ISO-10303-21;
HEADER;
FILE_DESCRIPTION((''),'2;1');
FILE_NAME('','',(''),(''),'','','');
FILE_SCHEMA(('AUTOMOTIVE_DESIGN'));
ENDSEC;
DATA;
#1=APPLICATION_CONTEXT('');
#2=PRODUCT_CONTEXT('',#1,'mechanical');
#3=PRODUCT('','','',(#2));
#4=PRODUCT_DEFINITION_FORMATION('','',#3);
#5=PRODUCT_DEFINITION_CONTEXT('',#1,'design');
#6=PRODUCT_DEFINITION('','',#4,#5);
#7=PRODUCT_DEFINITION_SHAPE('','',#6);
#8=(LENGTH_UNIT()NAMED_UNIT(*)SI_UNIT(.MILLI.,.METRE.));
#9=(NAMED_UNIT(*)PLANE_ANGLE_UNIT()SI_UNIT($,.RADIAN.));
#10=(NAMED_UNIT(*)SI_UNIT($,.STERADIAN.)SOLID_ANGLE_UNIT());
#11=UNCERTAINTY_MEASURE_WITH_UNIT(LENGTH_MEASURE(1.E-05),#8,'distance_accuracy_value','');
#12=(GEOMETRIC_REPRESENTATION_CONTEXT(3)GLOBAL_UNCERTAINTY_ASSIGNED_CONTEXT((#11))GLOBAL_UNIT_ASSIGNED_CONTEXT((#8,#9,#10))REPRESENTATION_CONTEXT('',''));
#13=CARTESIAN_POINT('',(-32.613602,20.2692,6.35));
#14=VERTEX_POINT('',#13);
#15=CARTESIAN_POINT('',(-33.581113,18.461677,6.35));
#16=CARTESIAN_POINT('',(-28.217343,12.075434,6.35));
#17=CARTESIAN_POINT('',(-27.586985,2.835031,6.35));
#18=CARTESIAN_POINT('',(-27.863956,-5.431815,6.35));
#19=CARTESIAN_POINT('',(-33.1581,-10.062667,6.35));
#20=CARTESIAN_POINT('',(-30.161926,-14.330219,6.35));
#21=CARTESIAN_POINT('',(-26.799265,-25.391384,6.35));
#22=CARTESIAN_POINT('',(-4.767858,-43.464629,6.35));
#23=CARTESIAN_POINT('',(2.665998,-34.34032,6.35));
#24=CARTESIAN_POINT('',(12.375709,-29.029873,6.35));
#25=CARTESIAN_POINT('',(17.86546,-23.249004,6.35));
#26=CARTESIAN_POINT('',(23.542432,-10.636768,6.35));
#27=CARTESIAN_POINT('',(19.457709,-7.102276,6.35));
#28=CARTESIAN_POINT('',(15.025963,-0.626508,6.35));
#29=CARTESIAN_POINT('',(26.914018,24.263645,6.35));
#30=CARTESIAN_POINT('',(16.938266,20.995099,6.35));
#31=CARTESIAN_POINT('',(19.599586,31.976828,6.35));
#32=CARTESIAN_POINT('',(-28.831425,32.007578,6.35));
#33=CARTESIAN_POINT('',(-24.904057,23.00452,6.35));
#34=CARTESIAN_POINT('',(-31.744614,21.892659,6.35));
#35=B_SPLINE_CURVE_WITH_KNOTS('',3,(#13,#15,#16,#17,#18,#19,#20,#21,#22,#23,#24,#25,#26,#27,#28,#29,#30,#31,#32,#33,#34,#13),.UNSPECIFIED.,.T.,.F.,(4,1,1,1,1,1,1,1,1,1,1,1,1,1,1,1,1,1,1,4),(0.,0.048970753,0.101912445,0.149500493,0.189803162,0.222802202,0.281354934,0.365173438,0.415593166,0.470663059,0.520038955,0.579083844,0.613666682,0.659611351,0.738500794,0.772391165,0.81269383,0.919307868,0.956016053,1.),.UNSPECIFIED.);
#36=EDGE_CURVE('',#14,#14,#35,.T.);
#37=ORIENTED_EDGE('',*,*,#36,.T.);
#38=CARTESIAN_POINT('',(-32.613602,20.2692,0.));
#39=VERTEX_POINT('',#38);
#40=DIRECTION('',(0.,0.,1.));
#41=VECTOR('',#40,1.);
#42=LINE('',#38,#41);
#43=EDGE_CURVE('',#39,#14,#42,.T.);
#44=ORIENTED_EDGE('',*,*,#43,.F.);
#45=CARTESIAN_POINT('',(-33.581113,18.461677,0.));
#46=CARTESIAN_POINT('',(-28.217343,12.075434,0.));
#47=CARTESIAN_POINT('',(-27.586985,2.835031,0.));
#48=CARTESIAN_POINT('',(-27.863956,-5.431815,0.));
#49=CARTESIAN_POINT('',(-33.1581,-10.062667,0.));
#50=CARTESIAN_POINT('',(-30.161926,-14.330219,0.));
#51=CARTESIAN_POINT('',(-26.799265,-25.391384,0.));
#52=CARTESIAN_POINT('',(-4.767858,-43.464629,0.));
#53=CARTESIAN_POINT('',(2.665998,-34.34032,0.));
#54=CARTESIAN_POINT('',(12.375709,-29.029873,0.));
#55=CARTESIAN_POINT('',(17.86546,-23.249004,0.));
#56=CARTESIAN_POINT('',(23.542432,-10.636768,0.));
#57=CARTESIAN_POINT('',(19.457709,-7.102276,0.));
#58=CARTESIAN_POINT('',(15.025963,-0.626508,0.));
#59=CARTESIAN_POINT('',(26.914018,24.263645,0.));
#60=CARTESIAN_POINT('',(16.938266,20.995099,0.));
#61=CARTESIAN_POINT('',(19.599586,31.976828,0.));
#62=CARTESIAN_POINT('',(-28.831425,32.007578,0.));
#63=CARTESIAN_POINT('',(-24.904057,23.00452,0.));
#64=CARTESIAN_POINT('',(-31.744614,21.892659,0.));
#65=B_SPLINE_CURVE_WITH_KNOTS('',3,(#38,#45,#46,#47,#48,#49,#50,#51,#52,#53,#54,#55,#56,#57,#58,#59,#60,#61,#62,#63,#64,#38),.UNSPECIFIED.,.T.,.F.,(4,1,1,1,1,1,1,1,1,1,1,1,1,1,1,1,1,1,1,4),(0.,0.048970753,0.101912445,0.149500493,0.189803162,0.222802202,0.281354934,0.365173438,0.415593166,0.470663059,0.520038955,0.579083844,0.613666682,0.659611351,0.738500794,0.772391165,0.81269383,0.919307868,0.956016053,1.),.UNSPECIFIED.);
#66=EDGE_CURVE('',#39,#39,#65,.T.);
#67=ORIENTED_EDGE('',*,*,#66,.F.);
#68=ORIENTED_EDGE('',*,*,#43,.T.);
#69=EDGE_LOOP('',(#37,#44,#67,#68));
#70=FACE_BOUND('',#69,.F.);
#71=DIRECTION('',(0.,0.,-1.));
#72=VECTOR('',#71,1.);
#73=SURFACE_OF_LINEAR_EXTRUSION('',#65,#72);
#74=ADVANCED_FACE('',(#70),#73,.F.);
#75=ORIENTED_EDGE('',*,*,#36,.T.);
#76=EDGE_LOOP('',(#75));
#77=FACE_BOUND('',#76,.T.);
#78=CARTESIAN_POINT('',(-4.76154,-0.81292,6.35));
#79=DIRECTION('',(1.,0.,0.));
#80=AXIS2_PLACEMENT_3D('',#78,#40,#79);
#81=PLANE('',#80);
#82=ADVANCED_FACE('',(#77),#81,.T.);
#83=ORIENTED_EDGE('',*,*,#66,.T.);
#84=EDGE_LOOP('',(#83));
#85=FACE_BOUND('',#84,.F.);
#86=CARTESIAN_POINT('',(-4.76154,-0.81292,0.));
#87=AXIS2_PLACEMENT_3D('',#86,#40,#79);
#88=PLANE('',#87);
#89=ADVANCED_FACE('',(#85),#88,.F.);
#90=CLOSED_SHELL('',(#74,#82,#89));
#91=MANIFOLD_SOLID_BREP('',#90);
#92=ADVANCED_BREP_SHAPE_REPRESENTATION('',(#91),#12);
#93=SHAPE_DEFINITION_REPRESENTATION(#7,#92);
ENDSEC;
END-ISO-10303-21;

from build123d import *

# Parameters (mm, degrees)
F2_DEPTH = 6.35


with BuildPart() as f2:
    # F1 (on Top) → F2 (new body)
    with BuildSketch(Plane.XY):
        with BuildLine():
            add(Edge.make_bspline(
                [(-32.6136015356, 20.2692002058), (-33.5811125806, 18.4616773544), (-28.2173430408, 12.0754344026), (-27.586984833, 2.8350305203), (-27.8639563265, -5.431814953), (-33.1581004034, -10.0626669272), (-30.1619260978, -14.3302185756), (-26.7992645036, -25.3913838292), (-4.7678584045, -43.4646293313), (2.6659977151, -34.3403195955), (12.3757088116, -29.0298726333), (17.865459766, -23.2490036109), (23.5424318269, -10.6367684728), (19.4577094185, -7.1022758039), (15.0259628274, -0.6265077863), (26.914017635, 24.263644627), (16.9382660674, 20.9950994103), (19.5995860514, 31.9768277247), (-28.8314249157, 32.0075782963), (-24.9040567852, 23.004520205), (-31.744614395, 21.892658793), (-32.6136015356, 20.2692002058)],
                knots=[0, 0, 0, 0, 0.0489707528, 0.1019124452, 0.1495004931, 0.189803162, 0.2228022019, 0.2813549337, 0.3651734377, 0.4155931661, 0.4706630593, 0.5200389545, 0.5790838438, 0.613666682, 0.6596113506, 0.7385007942, 0.7723911652, 0.81269383, 0.9193078683, 0.9560160531, 1, 1, 1, 1], degree=3))
        make_face()
    extrude(amount=F2_DEPTH)


solid = f2.part
